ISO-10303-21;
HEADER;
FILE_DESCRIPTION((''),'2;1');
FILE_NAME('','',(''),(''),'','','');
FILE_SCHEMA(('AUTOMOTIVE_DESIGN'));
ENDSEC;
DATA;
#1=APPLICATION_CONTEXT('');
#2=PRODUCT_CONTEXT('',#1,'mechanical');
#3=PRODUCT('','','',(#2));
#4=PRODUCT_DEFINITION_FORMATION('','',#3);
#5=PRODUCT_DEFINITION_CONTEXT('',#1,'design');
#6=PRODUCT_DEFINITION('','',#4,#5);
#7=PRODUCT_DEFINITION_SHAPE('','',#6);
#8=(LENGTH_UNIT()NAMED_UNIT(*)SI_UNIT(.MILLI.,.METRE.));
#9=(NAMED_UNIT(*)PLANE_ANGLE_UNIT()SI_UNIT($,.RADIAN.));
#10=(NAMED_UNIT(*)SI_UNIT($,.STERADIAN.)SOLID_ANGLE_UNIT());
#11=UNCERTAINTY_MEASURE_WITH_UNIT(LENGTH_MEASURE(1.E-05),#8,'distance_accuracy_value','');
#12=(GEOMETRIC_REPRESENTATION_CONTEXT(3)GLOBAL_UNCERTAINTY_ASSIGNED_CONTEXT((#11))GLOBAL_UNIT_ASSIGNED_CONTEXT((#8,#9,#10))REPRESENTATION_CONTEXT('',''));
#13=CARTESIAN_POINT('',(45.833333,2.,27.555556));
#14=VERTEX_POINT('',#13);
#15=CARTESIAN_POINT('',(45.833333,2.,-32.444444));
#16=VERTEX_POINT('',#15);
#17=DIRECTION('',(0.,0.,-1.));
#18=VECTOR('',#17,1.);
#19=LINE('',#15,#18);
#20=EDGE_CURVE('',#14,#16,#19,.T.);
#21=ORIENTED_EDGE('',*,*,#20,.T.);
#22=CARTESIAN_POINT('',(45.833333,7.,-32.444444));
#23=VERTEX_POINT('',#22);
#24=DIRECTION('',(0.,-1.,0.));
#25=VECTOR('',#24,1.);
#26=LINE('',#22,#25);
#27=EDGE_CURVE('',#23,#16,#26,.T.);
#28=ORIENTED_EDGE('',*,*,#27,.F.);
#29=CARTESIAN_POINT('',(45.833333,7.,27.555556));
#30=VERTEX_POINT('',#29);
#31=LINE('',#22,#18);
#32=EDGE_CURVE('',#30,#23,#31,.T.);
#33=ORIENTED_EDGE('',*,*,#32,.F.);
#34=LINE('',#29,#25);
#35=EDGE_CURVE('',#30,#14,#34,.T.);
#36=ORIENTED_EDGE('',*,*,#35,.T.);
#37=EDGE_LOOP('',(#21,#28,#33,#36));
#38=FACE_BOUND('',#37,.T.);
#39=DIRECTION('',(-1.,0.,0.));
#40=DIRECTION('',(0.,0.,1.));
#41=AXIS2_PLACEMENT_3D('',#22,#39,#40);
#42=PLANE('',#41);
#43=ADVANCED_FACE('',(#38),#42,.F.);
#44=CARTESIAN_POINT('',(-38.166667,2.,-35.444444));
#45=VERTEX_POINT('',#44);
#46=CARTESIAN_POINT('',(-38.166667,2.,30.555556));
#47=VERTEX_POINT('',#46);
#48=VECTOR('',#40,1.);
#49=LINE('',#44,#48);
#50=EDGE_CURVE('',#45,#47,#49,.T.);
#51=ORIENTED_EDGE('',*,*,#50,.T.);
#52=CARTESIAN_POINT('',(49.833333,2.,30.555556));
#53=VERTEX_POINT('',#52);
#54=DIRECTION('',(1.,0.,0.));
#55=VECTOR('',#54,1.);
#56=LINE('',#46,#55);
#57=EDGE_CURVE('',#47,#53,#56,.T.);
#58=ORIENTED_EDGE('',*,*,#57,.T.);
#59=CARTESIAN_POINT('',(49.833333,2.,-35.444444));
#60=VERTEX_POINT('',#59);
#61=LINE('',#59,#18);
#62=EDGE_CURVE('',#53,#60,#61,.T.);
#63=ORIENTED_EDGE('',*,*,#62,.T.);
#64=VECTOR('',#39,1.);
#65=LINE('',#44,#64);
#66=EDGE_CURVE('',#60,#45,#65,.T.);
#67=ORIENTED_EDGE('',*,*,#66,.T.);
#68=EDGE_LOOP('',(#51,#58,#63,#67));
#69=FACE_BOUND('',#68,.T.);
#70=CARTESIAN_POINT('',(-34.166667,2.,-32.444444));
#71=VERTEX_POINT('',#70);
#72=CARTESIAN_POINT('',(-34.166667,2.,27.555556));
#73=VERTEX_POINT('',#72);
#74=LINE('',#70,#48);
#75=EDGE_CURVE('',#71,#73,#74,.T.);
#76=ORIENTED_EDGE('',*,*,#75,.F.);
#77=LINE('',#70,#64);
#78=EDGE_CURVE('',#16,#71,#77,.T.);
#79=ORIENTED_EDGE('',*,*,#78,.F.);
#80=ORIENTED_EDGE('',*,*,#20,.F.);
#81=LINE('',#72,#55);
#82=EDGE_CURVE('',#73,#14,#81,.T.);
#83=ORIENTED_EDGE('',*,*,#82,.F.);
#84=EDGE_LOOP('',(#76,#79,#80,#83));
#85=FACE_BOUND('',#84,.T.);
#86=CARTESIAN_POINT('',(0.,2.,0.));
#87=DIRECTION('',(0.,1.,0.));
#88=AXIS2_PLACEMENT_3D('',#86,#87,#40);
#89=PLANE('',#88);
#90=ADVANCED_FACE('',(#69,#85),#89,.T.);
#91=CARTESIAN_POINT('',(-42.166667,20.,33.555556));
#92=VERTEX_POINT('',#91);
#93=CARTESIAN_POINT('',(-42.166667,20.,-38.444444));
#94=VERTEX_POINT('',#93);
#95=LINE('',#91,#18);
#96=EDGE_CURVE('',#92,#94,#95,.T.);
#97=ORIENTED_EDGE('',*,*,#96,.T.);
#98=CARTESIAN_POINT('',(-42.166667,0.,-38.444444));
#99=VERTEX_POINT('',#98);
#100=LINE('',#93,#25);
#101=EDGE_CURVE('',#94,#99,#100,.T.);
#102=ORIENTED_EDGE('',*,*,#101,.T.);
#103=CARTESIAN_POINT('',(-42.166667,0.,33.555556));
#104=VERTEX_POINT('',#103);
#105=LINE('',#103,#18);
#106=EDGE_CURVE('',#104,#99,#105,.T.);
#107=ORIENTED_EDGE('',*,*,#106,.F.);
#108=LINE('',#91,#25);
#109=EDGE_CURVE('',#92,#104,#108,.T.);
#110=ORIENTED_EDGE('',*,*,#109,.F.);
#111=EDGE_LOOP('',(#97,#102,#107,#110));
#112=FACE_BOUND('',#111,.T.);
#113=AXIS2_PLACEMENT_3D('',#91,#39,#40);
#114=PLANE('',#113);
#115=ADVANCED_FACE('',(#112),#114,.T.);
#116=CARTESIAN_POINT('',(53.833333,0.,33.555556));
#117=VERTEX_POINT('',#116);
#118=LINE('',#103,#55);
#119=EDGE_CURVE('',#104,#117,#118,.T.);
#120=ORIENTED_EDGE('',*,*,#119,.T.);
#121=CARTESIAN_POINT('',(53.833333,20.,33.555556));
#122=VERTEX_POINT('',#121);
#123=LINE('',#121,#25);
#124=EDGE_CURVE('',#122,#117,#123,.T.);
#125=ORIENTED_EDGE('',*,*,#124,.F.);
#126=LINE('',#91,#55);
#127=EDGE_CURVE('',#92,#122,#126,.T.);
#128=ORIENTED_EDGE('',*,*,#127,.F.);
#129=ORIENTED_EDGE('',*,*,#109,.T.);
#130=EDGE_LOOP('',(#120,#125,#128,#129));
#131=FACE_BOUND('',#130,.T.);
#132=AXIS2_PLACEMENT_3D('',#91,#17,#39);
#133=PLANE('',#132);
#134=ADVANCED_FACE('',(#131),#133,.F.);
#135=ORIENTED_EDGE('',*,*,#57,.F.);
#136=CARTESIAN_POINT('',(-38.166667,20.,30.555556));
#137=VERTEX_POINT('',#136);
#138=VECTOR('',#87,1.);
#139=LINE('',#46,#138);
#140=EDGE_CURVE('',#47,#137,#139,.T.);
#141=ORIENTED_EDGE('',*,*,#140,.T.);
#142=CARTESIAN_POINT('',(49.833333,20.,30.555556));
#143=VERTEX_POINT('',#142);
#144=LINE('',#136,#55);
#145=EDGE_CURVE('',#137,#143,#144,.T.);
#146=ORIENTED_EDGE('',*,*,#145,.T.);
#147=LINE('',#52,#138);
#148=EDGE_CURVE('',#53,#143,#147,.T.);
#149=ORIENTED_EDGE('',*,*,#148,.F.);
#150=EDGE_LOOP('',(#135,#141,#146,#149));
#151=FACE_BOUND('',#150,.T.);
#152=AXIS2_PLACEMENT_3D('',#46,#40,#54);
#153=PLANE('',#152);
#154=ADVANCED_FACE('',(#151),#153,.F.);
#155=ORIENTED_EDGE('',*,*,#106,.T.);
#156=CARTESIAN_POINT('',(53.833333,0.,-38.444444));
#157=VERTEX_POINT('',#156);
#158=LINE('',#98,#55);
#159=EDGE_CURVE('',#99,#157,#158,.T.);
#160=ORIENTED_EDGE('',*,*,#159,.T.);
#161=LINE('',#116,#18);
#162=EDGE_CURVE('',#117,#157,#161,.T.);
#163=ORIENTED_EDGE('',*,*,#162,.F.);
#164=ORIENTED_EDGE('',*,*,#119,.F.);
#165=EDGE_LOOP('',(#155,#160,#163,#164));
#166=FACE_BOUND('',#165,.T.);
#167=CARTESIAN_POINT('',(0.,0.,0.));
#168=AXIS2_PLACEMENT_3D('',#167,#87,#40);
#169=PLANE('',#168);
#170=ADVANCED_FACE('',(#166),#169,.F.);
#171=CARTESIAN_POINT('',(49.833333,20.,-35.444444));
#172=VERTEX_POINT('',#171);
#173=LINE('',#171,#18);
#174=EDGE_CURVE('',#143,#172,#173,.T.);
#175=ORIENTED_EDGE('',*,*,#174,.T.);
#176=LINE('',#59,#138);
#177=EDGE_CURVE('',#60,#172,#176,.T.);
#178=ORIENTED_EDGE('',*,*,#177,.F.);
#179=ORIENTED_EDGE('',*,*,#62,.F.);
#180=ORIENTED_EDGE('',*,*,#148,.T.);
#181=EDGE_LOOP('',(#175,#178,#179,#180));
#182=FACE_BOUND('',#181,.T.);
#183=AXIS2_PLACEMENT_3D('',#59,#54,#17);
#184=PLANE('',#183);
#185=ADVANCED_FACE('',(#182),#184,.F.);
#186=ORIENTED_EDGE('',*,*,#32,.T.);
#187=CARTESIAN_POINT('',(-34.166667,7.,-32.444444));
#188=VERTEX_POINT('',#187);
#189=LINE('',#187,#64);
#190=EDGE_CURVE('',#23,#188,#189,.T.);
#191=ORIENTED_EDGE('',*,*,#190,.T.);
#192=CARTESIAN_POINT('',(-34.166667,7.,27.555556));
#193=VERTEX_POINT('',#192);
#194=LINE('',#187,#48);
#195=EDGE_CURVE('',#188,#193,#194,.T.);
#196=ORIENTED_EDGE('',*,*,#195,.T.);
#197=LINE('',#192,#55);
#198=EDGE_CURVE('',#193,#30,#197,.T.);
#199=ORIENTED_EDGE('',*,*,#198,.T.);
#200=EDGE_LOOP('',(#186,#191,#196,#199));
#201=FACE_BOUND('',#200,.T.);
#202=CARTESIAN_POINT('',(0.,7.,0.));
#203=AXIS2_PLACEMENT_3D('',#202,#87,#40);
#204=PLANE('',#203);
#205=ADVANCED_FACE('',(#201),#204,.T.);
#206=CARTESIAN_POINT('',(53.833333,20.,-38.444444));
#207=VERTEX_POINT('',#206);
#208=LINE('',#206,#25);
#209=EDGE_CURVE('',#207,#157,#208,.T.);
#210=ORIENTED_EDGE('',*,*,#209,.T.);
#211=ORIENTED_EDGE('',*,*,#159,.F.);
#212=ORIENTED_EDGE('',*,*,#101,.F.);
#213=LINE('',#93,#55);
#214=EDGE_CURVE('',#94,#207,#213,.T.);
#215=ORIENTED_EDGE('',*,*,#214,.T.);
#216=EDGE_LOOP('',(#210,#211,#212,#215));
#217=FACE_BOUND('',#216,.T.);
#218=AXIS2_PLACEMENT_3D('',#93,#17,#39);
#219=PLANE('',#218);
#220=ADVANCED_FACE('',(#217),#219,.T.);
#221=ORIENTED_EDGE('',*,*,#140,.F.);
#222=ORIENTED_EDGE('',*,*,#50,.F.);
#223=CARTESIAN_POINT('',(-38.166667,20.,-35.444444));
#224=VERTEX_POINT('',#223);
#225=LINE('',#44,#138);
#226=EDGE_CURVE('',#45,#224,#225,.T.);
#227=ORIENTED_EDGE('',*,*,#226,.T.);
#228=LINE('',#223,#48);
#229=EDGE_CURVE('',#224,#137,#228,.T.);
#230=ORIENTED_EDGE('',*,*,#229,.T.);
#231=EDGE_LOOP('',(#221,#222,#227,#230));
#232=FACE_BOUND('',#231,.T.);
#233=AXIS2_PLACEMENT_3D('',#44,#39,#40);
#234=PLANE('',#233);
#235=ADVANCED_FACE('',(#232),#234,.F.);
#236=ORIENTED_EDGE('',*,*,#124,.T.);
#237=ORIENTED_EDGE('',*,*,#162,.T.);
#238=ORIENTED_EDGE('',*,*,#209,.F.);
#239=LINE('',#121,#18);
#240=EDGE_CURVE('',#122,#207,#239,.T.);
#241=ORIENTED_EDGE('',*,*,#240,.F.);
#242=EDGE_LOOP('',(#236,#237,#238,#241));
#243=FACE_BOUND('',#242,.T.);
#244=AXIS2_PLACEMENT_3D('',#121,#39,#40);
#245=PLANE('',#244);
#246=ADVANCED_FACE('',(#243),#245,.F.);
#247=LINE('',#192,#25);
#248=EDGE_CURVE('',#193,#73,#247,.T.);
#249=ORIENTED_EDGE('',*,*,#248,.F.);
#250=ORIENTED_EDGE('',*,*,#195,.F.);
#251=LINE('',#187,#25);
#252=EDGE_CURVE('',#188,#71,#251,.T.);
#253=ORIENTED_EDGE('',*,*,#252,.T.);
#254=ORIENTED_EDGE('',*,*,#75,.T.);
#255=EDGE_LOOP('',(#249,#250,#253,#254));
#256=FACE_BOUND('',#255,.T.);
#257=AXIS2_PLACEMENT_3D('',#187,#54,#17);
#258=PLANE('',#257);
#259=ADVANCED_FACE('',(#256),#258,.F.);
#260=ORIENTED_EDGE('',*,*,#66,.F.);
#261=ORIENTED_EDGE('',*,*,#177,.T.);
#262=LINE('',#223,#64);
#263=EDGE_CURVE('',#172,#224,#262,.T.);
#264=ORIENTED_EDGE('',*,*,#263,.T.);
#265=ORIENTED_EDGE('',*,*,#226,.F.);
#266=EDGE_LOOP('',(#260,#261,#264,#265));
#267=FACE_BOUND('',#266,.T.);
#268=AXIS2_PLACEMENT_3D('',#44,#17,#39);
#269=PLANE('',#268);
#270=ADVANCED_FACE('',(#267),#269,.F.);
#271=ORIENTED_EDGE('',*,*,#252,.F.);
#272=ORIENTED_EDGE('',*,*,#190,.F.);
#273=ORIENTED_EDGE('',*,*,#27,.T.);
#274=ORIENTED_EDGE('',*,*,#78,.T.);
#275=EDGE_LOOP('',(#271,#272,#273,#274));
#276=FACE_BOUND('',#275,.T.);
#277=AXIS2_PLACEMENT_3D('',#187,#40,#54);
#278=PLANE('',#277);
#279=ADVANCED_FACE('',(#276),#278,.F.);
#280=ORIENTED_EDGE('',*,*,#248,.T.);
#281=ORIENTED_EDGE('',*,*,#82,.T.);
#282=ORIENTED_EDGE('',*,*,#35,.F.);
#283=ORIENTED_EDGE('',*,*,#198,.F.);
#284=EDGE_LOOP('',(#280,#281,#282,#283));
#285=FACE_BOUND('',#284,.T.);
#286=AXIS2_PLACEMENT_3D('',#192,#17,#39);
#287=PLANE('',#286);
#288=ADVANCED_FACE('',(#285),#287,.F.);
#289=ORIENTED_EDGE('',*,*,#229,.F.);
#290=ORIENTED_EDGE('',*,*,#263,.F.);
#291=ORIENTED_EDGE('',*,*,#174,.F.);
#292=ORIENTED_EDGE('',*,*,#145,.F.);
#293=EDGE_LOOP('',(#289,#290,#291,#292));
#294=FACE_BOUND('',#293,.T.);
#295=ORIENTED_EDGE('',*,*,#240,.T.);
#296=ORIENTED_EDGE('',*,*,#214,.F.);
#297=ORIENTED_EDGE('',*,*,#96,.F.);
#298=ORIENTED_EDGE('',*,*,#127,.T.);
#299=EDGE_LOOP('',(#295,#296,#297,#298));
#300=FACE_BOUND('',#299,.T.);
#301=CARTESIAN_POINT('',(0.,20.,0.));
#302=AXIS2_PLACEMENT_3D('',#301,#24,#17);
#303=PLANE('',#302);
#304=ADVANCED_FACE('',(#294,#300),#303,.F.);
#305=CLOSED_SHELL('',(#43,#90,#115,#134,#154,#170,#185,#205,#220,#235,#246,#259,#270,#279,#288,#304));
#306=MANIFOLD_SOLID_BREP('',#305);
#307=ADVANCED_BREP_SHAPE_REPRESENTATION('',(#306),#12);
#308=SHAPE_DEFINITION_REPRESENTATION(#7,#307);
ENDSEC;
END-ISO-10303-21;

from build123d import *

# Parameters (mm, degrees)
SKETCH_1_W          = 80
SKETCH_1_H          = 60
EXTRUDE_1_DEPTH     = 5
SKETCH_2_W          = 96
SKETCH_2_H          = 72
EXTRUDE_2_DEPTH     = 20
SKETCH_3_W          = 88
SKETCH_3_H          = 66
CUT_EXTRUDE_1_DEPTH = 18
SKETCH_5_W          = 80
SKETCH_5_H          = 60
EXTRUDE_3_DEPTH     = 5


with BuildPart() as part:
    # 草图1 → 凸台-拉伸1 (new body)
    with BuildSketch(Plane(origin=(0, 0, 0), x_dir=(1, 0, 0), z_dir=(0, 1, 0))):
        with Locations((5.833333333, 4.444444444)):
            Rectangle(SKETCH_1_W, SKETCH_1_H)
    extrude(amount=EXTRUDE_1_DEPTH)

    # 草图2 → 凸台-拉伸2 (add)
    with BuildSketch(Plane.XZ):
        with Locations((5.833333333, -2.444444444)):
            Rectangle(SKETCH_2_W, SKETCH_2_H)
    extrude(amount=-EXTRUDE_2_DEPTH)

    # 草图3 → 切除-拉伸1 (cut)
    with BuildSketch(Plane(origin=(0, 20, 0), x_dir=(1, 0, 0), z_dir=(0, 1, 0))):
        with Locations((5.833333333, 2.444444444)):
            Rectangle(SKETCH_3_W, SKETCH_3_H)
    extrude(amount=-CUT_EXTRUDE_1_DEPTH, mode=Mode.SUBTRACT)

    # 草图5 → 凸台-拉伸3 (add)
    with BuildSketch(Plane(origin=(0, 2, 0), x_dir=(1, 0, 0), z_dir=(0, 1, 0))):
        with Locations((5.833333333, 2.444444444)):
            Rectangle(SKETCH_5_W, SKETCH_5_H)
    extrude(amount=EXTRUDE_3_DEPTH)


solid = part.part
